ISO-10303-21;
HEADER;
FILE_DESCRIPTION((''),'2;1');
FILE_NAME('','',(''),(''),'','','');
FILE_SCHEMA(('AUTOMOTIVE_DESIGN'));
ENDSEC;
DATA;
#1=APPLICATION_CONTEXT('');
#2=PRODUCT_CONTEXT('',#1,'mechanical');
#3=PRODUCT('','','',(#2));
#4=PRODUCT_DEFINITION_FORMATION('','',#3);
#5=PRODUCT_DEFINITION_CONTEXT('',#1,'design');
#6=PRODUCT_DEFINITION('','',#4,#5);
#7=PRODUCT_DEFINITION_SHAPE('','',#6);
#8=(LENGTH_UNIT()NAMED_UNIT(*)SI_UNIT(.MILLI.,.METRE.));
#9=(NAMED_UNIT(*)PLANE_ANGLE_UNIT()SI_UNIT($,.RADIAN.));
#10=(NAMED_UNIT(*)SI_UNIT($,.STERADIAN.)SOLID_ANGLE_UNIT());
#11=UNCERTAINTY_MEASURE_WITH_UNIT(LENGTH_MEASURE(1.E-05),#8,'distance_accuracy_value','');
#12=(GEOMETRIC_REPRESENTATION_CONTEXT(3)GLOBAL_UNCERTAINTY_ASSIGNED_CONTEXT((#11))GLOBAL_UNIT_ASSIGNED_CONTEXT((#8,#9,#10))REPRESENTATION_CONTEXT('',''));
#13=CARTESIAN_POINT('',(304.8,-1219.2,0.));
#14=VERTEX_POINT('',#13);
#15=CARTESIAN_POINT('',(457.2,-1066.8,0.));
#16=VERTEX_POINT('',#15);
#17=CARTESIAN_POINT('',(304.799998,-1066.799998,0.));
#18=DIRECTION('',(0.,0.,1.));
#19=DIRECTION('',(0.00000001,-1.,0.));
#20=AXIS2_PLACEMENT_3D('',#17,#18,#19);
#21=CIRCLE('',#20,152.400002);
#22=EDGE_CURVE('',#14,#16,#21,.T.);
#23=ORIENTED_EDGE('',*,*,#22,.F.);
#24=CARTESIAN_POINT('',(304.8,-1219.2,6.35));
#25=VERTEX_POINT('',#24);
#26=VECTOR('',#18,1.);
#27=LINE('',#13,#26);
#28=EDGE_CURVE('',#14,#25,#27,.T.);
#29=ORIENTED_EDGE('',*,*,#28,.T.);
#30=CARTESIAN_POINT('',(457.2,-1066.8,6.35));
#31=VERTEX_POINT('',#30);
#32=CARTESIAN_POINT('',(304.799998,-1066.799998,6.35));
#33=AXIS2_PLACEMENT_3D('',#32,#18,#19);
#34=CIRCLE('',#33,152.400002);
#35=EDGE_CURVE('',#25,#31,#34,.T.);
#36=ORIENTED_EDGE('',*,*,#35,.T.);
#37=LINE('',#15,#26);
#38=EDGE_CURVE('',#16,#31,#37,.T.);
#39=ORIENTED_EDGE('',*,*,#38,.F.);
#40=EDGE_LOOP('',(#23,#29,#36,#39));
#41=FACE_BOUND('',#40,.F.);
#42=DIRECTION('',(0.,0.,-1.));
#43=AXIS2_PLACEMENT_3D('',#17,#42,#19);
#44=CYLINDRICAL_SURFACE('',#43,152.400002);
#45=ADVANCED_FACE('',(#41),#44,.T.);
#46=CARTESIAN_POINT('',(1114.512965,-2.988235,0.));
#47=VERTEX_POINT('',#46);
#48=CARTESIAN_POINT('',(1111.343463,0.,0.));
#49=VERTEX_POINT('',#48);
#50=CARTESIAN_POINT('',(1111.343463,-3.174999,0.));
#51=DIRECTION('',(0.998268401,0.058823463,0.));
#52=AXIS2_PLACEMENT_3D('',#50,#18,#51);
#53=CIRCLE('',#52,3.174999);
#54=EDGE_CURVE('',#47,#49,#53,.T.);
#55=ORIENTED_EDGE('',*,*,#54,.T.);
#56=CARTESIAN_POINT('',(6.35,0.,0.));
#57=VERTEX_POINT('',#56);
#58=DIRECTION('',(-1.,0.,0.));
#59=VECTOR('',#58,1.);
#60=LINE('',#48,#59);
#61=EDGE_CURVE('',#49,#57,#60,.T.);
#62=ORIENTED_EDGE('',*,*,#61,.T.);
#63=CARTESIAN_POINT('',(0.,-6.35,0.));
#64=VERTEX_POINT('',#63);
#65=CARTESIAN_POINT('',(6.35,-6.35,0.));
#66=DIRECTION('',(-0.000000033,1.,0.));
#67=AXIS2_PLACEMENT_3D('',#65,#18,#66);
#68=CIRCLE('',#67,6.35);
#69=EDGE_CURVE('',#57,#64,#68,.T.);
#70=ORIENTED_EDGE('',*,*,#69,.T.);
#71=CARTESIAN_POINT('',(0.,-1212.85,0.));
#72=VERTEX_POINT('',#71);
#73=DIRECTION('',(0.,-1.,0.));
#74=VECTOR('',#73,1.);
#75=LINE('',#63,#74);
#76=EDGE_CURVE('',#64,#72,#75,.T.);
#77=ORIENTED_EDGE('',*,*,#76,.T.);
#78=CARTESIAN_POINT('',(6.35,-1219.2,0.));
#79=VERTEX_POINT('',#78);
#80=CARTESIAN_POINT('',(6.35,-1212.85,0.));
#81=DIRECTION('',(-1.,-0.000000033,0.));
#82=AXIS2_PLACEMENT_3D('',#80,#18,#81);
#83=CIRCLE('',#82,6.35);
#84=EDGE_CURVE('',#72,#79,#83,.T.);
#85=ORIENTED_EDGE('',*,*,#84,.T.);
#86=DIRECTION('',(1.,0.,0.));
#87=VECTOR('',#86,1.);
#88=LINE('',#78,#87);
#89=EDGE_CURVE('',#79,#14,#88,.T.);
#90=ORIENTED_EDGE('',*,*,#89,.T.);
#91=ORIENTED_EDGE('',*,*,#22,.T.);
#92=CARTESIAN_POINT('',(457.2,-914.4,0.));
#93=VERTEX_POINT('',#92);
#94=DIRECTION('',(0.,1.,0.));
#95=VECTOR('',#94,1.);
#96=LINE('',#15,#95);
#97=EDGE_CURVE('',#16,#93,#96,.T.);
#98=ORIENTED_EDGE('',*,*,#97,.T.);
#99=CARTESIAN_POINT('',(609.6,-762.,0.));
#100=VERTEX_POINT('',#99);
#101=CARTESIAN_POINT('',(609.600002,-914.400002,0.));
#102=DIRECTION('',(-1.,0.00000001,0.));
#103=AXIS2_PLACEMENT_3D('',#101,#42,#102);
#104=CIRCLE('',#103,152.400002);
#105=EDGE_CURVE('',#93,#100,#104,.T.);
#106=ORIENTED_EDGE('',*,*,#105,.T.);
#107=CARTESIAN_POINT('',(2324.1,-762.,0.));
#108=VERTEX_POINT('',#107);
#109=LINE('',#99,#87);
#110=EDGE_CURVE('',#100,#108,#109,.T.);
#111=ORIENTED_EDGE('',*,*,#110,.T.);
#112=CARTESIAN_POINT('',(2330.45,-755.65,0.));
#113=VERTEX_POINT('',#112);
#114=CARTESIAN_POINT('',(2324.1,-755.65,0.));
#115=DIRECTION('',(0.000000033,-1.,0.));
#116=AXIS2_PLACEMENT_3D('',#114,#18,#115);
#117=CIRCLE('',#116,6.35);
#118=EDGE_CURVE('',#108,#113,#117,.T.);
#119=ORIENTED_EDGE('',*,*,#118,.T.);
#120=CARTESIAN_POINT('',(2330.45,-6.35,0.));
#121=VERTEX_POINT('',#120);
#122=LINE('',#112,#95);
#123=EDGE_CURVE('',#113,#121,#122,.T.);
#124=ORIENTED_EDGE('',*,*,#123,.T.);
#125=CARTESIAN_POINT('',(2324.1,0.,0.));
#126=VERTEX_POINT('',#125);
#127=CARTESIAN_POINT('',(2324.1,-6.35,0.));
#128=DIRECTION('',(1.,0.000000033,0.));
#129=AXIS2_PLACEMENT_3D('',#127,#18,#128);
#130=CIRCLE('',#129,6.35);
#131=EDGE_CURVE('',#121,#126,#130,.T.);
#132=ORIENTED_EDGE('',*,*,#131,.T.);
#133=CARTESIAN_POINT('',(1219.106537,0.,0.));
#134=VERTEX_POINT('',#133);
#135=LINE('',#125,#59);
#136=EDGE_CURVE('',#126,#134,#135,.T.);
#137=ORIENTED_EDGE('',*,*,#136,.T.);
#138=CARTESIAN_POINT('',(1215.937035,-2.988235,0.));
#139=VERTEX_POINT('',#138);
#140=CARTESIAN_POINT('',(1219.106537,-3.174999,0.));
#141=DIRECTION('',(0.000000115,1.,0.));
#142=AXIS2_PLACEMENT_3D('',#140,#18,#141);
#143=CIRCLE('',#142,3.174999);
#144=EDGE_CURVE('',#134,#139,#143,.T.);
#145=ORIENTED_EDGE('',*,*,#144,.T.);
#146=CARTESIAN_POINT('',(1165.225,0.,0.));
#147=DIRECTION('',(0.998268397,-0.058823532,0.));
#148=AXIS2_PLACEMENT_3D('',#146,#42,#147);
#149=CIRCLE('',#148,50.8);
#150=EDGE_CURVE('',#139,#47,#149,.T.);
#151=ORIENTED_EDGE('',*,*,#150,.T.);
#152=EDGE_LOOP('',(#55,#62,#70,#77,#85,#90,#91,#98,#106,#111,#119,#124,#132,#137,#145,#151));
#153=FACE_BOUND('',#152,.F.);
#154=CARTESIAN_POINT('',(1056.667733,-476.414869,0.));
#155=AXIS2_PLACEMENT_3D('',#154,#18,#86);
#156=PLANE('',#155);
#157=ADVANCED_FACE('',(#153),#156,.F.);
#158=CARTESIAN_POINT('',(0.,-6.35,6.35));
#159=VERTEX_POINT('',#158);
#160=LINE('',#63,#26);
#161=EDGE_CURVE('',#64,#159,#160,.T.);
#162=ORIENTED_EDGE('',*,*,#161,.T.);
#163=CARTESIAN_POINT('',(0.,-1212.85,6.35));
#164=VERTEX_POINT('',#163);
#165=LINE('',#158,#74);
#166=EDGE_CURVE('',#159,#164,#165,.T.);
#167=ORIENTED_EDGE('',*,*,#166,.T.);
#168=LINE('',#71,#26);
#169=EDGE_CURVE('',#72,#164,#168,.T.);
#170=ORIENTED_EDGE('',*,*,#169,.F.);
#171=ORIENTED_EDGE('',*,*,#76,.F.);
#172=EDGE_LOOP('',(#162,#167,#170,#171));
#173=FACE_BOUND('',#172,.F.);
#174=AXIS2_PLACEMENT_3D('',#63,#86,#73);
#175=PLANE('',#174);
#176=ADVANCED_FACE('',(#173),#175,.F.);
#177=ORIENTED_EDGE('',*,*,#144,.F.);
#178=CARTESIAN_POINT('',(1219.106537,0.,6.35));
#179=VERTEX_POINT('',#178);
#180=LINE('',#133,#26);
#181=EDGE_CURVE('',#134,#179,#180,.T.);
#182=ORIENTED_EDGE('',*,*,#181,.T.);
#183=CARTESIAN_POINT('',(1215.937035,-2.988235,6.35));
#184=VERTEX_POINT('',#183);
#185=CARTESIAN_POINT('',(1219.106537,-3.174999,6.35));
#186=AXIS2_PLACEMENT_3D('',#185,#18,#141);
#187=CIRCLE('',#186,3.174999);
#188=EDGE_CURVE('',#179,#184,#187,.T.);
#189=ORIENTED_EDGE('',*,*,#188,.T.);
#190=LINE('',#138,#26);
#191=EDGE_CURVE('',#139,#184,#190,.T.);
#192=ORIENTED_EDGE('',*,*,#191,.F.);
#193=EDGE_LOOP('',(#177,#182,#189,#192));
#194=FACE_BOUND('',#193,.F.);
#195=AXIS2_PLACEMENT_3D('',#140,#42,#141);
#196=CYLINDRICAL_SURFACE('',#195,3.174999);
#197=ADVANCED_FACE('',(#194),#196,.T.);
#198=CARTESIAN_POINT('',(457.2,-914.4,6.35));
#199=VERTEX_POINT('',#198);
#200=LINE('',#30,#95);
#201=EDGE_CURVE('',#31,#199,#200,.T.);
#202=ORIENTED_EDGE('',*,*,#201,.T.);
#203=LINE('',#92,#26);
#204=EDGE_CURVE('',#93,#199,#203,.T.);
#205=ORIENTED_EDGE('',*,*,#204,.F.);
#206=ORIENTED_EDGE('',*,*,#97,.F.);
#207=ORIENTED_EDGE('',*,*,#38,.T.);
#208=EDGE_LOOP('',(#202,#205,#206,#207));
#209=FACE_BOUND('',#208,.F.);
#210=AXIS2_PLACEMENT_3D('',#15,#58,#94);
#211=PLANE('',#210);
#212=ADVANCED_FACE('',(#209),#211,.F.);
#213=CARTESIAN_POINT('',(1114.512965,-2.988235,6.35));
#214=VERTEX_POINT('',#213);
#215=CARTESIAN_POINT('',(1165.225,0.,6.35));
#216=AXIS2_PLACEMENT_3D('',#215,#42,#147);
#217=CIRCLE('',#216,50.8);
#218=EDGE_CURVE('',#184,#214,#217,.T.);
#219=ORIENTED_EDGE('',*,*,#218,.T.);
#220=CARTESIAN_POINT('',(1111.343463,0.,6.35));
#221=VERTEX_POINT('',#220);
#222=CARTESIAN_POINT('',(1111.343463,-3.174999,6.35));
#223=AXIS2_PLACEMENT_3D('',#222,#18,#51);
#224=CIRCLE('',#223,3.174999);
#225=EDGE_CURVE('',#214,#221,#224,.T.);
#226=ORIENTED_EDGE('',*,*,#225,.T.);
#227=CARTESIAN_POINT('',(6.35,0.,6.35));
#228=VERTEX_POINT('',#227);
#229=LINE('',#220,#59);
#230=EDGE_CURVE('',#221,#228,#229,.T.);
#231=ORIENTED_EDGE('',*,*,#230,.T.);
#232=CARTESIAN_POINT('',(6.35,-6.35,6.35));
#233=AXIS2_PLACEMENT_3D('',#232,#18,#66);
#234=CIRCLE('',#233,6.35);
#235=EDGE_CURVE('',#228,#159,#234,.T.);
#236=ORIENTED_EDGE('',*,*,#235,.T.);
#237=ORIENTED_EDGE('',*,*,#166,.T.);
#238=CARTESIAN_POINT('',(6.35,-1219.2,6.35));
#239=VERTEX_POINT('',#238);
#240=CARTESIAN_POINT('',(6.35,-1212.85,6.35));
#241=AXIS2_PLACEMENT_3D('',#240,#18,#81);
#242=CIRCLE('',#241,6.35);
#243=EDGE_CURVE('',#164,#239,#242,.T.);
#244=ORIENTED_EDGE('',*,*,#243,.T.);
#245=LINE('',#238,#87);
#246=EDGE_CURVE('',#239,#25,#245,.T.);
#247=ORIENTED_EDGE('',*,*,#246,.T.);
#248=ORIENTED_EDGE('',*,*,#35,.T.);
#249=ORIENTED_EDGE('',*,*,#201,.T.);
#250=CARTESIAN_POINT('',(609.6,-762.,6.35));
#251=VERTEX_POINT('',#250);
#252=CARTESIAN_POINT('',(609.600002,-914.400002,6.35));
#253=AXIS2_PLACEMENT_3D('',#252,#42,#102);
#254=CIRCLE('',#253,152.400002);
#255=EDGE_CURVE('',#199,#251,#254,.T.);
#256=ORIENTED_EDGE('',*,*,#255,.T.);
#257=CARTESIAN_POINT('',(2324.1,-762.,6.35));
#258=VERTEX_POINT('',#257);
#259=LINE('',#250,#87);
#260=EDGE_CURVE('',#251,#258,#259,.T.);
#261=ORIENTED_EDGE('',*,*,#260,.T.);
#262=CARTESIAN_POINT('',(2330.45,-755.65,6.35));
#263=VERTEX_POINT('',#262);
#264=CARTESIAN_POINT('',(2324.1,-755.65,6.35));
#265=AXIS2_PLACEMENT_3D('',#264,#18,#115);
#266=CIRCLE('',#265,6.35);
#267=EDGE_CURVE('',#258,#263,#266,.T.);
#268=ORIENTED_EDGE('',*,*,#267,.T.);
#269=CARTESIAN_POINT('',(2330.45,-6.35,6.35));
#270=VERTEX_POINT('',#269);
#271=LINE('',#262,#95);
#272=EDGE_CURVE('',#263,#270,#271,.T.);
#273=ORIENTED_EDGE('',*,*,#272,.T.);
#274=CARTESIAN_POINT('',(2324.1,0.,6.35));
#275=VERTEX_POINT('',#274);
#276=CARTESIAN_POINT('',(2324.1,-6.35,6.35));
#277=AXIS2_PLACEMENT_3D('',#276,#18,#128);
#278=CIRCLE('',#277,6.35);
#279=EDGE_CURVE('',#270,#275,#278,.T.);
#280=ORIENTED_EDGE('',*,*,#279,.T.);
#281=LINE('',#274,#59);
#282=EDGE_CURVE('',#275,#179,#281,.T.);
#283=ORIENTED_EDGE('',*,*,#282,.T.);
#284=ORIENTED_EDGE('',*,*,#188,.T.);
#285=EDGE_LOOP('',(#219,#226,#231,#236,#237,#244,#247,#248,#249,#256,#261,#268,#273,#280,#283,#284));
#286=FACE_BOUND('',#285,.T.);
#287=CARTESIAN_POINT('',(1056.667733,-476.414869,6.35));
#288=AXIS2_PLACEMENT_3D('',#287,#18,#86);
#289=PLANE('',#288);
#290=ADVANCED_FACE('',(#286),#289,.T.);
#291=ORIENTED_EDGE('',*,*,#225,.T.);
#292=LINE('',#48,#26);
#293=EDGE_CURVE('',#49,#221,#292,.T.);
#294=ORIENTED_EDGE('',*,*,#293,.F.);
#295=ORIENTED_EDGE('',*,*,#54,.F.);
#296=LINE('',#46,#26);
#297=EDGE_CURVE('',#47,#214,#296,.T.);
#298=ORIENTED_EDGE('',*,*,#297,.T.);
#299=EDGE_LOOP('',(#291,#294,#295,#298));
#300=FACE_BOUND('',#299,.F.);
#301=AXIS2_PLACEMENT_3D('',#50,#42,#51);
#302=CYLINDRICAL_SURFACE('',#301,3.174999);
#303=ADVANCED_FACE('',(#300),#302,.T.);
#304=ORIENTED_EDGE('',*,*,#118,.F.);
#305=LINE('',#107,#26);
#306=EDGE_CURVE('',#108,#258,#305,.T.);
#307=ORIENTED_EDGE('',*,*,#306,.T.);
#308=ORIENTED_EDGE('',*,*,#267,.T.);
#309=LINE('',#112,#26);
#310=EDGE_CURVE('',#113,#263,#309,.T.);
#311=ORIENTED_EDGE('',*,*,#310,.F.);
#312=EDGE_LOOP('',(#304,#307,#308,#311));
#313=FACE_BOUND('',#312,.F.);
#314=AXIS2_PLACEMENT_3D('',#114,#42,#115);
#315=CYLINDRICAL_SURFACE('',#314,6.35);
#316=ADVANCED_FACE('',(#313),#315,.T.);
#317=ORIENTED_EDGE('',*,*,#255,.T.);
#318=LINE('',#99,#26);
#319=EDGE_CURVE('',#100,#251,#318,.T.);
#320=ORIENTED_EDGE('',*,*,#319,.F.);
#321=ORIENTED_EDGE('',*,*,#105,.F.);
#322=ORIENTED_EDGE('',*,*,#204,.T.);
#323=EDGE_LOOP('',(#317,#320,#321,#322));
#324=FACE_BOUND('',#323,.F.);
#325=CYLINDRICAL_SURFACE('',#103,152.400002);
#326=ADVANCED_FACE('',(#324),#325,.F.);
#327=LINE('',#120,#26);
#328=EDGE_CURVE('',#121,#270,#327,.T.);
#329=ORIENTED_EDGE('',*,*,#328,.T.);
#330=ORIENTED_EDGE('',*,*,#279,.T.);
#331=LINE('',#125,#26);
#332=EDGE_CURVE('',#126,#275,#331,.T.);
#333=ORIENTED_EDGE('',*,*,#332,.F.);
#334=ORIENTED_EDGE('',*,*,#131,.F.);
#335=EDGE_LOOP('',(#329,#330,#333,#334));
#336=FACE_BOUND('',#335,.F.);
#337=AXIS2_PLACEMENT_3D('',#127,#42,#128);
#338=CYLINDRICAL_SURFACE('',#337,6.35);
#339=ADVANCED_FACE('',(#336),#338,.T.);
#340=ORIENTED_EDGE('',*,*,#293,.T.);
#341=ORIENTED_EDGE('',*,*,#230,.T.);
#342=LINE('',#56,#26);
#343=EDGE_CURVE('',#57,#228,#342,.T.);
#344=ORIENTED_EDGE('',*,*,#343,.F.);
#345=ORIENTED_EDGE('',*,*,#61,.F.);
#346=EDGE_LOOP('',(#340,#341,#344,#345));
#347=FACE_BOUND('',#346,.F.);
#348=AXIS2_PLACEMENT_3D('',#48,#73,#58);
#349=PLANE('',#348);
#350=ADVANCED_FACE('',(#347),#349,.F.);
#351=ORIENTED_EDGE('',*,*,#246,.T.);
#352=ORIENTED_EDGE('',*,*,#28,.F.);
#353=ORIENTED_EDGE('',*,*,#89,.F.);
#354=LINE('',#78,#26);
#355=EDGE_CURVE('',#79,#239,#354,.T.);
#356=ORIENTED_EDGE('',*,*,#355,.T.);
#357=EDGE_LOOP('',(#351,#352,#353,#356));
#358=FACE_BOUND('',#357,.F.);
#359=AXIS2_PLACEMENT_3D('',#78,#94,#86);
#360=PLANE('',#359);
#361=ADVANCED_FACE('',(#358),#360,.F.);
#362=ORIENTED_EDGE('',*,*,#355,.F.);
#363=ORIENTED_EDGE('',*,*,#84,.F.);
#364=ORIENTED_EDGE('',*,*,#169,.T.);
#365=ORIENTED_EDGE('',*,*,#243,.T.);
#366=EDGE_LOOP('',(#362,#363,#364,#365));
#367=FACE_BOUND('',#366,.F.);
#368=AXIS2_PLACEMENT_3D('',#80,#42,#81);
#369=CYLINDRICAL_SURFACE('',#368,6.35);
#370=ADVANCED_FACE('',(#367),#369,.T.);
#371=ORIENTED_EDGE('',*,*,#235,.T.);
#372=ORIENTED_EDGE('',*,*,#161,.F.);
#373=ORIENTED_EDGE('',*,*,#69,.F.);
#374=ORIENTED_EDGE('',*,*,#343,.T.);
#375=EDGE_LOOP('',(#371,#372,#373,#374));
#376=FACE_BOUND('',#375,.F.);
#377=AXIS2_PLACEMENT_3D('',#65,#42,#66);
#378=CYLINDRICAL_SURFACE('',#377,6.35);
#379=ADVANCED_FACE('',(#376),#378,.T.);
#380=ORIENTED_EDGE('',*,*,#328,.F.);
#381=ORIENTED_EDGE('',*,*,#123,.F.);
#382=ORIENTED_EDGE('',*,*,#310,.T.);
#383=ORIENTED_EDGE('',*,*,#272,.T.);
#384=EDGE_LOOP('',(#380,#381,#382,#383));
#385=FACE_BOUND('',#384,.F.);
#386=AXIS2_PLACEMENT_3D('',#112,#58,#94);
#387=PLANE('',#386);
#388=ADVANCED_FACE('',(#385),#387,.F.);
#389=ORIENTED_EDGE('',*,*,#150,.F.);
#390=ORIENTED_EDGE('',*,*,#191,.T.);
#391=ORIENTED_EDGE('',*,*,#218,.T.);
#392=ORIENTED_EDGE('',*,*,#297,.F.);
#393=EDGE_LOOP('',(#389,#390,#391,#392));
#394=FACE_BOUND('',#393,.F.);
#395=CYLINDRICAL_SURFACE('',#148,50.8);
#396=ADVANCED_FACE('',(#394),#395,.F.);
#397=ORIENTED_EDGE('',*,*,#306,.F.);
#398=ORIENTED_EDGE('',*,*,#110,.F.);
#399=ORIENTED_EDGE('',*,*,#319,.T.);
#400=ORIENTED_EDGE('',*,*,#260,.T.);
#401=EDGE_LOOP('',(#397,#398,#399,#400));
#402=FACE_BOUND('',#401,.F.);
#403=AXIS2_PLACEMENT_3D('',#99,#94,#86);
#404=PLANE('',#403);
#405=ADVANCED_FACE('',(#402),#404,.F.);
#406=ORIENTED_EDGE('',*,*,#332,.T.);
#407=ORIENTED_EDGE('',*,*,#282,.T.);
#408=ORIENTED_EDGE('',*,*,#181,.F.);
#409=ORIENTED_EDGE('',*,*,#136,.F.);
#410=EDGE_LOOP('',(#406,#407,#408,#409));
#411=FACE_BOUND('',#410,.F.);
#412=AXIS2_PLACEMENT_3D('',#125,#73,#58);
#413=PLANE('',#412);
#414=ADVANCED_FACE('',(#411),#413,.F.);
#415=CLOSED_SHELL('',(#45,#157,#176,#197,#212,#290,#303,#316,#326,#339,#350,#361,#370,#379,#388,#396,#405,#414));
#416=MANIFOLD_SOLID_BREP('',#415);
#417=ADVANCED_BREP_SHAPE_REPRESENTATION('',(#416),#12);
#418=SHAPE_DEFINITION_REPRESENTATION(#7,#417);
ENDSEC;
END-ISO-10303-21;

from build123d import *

# Parameters (mm, degrees)
F1_DEPTH = 6.35


with BuildPart() as f1:
    # F0 (on Top) → F1 (new body)
    with BuildSketch(Plane.XY):
        with BuildLine():
            Line((1111.343463, 0), (6.35, 0))
            ThreePointArc((6.35, 0), (1.859872, -1.859872), (0, -6.35))
            Line((0, -6.35), (0, -1212.85))
            ThreePointArc((0, -1212.85), (1.859872, -1217.340128), (6.35, -1219.2))
            Line((6.35, -1219.2), (304.8, -1219.2))
            ThreePointArc((304.8, -1219.2), (412.563073, -1174.563073), (457.2, -1066.8))
            Line((457.2, -1066.8), (457.2, -914.4))
            ThreePointArc((457.2, -914.4), (501.836927, -806.636927), (609.6, -762))
            Line((609.6, -762), (2324.1, -762))
            ThreePointArc((2324.1, -762), (2328.590128, -760.140128), (2330.45, -755.65))
            Line((2330.45, -755.65), (2330.45, -6.35))
            ThreePointArc((2330.45, -6.35), (2328.590128, -1.859872), (2324.1, 0))
            Line((2324.1, 0), (1219.106537, 0))
            ThreePointArc((1219.106537, 0), (1216.928505, -0.864848), (1215.937035, -2.988235))
            ThreePointArc((1215.937035, -2.988235), (1165.225, -50.8), (1114.512965, -2.988235))
            ThreePointArc((1114.512965, -2.988235), (1113.521495, -0.864848), (1111.343463, 0))
        make_face()
    extrude(amount=F1_DEPTH)


solid = f1.part
